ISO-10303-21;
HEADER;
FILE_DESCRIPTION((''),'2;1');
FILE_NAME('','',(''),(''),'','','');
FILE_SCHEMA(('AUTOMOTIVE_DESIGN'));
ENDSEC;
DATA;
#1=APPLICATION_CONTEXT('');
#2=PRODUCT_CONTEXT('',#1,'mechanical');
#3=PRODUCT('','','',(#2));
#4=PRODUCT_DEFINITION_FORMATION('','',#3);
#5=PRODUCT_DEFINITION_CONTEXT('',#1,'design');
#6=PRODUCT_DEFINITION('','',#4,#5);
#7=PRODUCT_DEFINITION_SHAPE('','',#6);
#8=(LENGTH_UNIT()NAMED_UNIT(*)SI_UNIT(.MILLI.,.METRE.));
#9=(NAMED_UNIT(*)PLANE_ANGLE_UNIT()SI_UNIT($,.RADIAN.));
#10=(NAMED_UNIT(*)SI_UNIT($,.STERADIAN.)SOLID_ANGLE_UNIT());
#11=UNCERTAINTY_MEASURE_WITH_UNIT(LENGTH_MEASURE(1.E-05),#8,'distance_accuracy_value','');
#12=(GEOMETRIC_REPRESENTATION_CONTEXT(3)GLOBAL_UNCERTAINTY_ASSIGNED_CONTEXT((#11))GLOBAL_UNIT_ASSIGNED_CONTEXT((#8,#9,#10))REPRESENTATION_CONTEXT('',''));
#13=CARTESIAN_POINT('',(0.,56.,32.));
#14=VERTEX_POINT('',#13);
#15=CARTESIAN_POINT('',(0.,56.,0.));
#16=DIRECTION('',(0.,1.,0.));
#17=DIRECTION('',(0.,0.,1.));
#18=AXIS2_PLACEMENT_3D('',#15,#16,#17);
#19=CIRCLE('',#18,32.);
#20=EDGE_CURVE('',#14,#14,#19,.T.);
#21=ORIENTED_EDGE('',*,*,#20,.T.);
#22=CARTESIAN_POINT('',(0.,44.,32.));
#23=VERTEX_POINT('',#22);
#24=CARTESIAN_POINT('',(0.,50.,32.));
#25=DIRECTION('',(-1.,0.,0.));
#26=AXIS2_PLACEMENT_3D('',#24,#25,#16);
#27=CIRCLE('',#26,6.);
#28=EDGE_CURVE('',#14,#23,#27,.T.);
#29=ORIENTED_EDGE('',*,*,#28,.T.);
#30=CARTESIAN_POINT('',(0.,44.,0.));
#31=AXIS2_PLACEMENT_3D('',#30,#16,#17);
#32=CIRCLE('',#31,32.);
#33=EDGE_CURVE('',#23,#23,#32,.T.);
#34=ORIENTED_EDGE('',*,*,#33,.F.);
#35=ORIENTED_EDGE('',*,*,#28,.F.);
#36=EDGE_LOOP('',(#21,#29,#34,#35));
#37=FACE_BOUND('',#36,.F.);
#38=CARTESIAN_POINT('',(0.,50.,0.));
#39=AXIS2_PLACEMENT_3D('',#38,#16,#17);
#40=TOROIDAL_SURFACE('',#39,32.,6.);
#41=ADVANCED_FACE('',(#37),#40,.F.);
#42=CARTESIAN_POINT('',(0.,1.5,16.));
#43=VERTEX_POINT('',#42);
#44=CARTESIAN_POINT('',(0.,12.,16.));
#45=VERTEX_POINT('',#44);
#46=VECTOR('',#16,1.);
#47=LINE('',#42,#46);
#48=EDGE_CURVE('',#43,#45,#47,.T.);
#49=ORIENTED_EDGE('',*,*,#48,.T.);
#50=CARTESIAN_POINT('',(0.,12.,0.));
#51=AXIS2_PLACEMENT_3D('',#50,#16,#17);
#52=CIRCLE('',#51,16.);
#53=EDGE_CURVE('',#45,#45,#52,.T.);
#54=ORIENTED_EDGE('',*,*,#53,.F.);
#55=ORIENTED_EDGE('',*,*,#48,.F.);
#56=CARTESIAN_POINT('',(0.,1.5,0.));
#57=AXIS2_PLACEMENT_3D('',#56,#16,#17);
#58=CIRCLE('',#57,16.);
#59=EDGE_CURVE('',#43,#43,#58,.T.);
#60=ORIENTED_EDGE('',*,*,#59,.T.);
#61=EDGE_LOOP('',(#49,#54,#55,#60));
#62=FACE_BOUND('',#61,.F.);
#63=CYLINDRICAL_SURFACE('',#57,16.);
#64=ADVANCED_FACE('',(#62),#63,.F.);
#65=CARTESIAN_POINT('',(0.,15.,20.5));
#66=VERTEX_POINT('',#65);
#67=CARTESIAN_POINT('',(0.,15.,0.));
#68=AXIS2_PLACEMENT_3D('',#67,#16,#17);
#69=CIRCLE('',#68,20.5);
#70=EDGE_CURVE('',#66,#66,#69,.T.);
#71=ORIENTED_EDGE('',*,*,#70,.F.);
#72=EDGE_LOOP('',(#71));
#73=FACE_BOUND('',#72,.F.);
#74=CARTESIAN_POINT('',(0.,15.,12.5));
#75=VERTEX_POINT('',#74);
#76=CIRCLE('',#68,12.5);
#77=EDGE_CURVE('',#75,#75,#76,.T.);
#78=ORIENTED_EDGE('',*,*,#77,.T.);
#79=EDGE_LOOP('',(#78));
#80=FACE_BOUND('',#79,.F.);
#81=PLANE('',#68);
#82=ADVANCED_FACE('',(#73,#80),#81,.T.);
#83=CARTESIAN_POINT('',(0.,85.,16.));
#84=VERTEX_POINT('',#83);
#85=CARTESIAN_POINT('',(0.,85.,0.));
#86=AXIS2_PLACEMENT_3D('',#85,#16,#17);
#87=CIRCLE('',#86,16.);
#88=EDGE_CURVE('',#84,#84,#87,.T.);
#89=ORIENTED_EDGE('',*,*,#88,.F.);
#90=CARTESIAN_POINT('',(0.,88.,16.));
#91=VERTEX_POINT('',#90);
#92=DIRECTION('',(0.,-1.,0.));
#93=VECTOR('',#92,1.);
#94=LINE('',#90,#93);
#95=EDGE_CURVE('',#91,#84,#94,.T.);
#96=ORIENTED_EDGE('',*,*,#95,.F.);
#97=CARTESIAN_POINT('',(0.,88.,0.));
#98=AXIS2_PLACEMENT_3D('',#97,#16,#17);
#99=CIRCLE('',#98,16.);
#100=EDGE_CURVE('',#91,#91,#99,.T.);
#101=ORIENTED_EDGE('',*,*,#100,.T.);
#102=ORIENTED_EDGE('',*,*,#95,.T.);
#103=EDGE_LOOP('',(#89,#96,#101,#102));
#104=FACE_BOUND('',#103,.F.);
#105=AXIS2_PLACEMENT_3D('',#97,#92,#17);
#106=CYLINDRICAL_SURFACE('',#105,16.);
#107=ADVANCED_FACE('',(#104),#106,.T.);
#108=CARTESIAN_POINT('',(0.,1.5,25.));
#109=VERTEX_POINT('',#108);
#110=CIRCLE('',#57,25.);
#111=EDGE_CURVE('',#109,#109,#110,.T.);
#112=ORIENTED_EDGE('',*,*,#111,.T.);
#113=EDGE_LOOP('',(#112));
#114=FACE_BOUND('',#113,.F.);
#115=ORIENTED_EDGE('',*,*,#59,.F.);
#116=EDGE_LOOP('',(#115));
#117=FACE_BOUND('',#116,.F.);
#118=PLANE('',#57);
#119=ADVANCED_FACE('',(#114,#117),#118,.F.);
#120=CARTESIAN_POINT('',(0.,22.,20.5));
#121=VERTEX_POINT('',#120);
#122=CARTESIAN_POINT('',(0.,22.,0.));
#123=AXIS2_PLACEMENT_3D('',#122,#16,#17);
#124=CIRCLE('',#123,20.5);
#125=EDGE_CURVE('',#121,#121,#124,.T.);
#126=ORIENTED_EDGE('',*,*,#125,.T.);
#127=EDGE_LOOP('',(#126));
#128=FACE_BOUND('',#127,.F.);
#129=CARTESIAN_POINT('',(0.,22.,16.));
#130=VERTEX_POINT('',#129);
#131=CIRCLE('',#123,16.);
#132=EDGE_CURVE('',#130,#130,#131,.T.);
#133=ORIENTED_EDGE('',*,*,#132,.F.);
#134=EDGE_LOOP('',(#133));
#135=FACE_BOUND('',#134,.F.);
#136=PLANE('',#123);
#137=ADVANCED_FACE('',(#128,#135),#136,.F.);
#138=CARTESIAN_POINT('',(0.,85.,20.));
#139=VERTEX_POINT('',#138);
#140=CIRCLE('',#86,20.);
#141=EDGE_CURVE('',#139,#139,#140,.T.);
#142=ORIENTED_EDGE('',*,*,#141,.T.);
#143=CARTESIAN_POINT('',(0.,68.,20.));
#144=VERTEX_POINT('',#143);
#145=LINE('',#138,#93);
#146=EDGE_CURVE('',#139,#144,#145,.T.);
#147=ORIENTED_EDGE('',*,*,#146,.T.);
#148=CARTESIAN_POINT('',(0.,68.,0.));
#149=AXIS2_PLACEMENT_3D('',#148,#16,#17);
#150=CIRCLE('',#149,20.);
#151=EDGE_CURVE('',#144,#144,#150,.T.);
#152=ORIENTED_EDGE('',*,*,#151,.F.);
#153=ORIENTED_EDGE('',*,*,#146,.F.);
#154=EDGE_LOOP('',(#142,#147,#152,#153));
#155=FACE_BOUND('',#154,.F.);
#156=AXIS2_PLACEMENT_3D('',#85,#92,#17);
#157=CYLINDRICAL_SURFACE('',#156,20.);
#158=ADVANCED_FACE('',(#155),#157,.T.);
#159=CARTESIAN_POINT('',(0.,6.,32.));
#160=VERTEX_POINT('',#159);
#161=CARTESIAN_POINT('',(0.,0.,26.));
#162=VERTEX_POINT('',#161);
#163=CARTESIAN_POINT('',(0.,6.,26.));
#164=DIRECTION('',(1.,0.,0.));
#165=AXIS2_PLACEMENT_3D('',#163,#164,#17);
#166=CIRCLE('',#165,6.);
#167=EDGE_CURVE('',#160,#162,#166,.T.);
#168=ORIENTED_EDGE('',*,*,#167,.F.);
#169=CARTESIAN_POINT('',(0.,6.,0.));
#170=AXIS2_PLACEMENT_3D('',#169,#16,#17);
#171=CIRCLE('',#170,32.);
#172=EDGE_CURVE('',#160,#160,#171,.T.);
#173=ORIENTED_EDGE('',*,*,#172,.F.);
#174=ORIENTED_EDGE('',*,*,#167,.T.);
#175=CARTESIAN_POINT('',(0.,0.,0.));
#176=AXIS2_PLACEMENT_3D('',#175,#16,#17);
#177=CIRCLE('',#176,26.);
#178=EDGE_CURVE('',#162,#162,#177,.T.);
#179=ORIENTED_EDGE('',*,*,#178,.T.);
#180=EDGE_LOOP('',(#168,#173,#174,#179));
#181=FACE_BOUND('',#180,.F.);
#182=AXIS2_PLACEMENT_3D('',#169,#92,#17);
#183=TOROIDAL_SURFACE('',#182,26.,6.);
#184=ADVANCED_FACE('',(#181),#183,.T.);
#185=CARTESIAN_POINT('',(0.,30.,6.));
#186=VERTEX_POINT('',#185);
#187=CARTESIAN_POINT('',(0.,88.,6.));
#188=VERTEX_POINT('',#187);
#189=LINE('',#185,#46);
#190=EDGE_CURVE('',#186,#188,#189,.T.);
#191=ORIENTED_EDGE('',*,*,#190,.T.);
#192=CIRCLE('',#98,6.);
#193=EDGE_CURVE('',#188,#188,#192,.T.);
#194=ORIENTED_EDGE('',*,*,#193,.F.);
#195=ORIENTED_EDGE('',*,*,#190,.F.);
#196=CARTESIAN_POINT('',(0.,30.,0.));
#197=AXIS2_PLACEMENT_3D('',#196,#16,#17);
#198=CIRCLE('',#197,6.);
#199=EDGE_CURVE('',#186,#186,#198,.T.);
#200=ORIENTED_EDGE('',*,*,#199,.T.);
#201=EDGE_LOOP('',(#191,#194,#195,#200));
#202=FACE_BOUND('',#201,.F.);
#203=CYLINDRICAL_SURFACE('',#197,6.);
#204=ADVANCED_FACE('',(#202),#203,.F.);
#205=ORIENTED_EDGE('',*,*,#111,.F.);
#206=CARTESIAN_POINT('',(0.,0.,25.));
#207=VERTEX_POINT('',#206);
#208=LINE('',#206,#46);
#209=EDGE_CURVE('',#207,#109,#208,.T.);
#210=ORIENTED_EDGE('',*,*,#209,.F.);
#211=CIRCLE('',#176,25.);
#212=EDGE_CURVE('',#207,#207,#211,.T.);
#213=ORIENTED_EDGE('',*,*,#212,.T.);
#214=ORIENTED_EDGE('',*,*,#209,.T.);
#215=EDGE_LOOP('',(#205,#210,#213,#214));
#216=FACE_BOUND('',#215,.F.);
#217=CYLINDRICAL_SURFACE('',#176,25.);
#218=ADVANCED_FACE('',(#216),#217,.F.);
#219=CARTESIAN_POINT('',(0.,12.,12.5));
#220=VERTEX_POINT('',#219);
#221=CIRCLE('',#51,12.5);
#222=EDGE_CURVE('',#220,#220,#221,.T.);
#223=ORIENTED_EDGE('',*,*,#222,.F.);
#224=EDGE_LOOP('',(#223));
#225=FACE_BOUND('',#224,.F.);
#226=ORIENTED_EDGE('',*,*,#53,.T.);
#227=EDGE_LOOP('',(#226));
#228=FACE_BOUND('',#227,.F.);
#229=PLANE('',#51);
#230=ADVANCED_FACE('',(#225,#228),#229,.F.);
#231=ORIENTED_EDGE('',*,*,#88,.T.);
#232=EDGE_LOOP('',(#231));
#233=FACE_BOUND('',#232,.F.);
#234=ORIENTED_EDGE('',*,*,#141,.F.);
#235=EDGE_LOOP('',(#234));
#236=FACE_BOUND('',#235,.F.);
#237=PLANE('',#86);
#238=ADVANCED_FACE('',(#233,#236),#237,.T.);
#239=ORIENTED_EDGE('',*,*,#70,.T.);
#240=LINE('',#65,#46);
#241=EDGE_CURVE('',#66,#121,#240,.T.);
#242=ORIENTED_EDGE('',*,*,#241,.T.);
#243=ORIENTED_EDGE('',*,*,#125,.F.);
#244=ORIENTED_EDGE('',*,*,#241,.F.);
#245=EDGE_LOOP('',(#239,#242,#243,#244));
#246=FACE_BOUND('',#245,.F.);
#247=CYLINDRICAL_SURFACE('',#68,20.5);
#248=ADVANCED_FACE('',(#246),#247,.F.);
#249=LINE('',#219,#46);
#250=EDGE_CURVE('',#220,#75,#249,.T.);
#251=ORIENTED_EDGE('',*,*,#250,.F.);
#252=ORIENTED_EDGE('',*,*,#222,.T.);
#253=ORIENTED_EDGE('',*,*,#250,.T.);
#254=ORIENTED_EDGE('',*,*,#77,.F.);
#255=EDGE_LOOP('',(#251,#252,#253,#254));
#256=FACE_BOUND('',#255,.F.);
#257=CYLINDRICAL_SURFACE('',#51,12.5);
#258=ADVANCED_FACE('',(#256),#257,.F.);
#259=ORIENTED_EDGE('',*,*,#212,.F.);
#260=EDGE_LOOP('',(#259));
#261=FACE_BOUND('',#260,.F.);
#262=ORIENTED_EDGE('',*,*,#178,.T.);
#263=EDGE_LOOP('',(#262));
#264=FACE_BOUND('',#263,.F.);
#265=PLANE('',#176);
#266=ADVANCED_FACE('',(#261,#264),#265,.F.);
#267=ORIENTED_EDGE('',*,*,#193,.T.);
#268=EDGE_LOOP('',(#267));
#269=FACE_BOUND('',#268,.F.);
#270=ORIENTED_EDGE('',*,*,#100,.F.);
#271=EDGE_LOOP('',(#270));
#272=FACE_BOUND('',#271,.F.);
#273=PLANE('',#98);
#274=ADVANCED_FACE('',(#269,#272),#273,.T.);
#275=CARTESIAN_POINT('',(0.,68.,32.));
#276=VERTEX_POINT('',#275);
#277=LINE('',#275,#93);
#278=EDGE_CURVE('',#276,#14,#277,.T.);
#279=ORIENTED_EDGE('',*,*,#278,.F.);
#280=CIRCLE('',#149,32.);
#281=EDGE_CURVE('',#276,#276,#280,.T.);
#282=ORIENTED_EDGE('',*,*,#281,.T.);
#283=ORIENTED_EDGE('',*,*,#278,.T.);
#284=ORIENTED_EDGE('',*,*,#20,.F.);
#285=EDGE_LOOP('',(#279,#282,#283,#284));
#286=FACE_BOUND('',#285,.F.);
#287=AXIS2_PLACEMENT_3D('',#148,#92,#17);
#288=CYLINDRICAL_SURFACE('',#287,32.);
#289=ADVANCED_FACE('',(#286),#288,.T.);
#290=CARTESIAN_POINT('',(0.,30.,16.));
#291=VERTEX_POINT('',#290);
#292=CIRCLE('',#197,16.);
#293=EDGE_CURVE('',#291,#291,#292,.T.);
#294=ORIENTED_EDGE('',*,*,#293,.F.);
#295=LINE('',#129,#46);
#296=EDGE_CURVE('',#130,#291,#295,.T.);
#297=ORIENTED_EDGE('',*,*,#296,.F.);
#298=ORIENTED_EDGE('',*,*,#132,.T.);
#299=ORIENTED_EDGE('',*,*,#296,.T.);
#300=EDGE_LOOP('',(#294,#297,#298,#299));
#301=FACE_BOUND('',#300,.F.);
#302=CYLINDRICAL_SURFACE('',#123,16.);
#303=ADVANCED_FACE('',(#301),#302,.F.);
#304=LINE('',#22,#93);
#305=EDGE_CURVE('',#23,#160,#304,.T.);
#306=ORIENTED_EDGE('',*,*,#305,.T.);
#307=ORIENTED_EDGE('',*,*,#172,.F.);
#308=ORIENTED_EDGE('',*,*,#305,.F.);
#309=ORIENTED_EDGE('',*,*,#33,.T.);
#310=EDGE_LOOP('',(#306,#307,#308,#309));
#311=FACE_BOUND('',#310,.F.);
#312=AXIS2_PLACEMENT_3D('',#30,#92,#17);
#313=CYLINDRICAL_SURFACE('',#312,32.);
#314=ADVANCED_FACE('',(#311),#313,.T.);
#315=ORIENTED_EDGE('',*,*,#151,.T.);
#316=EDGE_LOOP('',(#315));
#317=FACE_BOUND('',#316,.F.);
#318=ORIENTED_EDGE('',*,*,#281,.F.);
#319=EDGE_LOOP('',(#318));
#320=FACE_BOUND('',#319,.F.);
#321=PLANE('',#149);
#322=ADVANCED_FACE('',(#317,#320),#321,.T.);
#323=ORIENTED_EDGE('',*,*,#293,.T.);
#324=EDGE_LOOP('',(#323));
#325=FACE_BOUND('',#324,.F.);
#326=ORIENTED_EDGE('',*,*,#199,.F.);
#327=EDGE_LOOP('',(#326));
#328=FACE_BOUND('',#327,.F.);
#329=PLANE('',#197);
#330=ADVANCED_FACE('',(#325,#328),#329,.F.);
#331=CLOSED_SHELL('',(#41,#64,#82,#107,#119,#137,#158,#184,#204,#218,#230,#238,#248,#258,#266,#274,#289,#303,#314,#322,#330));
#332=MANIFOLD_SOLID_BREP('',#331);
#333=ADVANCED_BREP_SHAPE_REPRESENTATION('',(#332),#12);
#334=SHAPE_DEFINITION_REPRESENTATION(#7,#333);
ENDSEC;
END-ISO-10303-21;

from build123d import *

# Parameters (mm, degrees)
F2_R = 6


with BuildPart() as f1:
    # F0 (on Right) → F1 (revolve)
    with BuildSketch(Plane.YZ):
        with BuildLine():
            Line((30, 6), (88, 6))
            Line((88, 6), (88, 16))
            Line((88, 16), (85, 16))
            Line((85, 16), (85, 20))
            Line((85, 20), (68, 20))
            Line((68, 20), (68, 32))
            Line((68, 32), (56, 32))
            ThreePointArc((56, 32), (50, 26), (44, 32))
            Line((44, 32), (0, 32))
            Line((0, 32), (0, 25))
            Line((0, 25), (1.5, 25))
            Line((1.5, 25), (1.5, 16))
            Line((1.5, 16), (12, 16))
            Line((12, 16), (12, 12.5))
            Line((12, 12.5), (15, 12.5))
            Line((15, 12.5), (15, 20.5))
            Line((15, 20.5), (22, 20.5))
            Line((22, 20.5), (22, 16))
            Line((22, 16), (30, 16))
            Line((30, 16), (30, 6))
        make_face()
    revolve(axis=Axis((0, 49.247101, 0), (0, 1, 0)))

    # F2
    f2_edges = [f1.edges().sort_by_distance(p)[0] for p in [
        (0, 0, -32),
    ]]
    fillet(f2_edges, radius=F2_R)


solid = f1.part
